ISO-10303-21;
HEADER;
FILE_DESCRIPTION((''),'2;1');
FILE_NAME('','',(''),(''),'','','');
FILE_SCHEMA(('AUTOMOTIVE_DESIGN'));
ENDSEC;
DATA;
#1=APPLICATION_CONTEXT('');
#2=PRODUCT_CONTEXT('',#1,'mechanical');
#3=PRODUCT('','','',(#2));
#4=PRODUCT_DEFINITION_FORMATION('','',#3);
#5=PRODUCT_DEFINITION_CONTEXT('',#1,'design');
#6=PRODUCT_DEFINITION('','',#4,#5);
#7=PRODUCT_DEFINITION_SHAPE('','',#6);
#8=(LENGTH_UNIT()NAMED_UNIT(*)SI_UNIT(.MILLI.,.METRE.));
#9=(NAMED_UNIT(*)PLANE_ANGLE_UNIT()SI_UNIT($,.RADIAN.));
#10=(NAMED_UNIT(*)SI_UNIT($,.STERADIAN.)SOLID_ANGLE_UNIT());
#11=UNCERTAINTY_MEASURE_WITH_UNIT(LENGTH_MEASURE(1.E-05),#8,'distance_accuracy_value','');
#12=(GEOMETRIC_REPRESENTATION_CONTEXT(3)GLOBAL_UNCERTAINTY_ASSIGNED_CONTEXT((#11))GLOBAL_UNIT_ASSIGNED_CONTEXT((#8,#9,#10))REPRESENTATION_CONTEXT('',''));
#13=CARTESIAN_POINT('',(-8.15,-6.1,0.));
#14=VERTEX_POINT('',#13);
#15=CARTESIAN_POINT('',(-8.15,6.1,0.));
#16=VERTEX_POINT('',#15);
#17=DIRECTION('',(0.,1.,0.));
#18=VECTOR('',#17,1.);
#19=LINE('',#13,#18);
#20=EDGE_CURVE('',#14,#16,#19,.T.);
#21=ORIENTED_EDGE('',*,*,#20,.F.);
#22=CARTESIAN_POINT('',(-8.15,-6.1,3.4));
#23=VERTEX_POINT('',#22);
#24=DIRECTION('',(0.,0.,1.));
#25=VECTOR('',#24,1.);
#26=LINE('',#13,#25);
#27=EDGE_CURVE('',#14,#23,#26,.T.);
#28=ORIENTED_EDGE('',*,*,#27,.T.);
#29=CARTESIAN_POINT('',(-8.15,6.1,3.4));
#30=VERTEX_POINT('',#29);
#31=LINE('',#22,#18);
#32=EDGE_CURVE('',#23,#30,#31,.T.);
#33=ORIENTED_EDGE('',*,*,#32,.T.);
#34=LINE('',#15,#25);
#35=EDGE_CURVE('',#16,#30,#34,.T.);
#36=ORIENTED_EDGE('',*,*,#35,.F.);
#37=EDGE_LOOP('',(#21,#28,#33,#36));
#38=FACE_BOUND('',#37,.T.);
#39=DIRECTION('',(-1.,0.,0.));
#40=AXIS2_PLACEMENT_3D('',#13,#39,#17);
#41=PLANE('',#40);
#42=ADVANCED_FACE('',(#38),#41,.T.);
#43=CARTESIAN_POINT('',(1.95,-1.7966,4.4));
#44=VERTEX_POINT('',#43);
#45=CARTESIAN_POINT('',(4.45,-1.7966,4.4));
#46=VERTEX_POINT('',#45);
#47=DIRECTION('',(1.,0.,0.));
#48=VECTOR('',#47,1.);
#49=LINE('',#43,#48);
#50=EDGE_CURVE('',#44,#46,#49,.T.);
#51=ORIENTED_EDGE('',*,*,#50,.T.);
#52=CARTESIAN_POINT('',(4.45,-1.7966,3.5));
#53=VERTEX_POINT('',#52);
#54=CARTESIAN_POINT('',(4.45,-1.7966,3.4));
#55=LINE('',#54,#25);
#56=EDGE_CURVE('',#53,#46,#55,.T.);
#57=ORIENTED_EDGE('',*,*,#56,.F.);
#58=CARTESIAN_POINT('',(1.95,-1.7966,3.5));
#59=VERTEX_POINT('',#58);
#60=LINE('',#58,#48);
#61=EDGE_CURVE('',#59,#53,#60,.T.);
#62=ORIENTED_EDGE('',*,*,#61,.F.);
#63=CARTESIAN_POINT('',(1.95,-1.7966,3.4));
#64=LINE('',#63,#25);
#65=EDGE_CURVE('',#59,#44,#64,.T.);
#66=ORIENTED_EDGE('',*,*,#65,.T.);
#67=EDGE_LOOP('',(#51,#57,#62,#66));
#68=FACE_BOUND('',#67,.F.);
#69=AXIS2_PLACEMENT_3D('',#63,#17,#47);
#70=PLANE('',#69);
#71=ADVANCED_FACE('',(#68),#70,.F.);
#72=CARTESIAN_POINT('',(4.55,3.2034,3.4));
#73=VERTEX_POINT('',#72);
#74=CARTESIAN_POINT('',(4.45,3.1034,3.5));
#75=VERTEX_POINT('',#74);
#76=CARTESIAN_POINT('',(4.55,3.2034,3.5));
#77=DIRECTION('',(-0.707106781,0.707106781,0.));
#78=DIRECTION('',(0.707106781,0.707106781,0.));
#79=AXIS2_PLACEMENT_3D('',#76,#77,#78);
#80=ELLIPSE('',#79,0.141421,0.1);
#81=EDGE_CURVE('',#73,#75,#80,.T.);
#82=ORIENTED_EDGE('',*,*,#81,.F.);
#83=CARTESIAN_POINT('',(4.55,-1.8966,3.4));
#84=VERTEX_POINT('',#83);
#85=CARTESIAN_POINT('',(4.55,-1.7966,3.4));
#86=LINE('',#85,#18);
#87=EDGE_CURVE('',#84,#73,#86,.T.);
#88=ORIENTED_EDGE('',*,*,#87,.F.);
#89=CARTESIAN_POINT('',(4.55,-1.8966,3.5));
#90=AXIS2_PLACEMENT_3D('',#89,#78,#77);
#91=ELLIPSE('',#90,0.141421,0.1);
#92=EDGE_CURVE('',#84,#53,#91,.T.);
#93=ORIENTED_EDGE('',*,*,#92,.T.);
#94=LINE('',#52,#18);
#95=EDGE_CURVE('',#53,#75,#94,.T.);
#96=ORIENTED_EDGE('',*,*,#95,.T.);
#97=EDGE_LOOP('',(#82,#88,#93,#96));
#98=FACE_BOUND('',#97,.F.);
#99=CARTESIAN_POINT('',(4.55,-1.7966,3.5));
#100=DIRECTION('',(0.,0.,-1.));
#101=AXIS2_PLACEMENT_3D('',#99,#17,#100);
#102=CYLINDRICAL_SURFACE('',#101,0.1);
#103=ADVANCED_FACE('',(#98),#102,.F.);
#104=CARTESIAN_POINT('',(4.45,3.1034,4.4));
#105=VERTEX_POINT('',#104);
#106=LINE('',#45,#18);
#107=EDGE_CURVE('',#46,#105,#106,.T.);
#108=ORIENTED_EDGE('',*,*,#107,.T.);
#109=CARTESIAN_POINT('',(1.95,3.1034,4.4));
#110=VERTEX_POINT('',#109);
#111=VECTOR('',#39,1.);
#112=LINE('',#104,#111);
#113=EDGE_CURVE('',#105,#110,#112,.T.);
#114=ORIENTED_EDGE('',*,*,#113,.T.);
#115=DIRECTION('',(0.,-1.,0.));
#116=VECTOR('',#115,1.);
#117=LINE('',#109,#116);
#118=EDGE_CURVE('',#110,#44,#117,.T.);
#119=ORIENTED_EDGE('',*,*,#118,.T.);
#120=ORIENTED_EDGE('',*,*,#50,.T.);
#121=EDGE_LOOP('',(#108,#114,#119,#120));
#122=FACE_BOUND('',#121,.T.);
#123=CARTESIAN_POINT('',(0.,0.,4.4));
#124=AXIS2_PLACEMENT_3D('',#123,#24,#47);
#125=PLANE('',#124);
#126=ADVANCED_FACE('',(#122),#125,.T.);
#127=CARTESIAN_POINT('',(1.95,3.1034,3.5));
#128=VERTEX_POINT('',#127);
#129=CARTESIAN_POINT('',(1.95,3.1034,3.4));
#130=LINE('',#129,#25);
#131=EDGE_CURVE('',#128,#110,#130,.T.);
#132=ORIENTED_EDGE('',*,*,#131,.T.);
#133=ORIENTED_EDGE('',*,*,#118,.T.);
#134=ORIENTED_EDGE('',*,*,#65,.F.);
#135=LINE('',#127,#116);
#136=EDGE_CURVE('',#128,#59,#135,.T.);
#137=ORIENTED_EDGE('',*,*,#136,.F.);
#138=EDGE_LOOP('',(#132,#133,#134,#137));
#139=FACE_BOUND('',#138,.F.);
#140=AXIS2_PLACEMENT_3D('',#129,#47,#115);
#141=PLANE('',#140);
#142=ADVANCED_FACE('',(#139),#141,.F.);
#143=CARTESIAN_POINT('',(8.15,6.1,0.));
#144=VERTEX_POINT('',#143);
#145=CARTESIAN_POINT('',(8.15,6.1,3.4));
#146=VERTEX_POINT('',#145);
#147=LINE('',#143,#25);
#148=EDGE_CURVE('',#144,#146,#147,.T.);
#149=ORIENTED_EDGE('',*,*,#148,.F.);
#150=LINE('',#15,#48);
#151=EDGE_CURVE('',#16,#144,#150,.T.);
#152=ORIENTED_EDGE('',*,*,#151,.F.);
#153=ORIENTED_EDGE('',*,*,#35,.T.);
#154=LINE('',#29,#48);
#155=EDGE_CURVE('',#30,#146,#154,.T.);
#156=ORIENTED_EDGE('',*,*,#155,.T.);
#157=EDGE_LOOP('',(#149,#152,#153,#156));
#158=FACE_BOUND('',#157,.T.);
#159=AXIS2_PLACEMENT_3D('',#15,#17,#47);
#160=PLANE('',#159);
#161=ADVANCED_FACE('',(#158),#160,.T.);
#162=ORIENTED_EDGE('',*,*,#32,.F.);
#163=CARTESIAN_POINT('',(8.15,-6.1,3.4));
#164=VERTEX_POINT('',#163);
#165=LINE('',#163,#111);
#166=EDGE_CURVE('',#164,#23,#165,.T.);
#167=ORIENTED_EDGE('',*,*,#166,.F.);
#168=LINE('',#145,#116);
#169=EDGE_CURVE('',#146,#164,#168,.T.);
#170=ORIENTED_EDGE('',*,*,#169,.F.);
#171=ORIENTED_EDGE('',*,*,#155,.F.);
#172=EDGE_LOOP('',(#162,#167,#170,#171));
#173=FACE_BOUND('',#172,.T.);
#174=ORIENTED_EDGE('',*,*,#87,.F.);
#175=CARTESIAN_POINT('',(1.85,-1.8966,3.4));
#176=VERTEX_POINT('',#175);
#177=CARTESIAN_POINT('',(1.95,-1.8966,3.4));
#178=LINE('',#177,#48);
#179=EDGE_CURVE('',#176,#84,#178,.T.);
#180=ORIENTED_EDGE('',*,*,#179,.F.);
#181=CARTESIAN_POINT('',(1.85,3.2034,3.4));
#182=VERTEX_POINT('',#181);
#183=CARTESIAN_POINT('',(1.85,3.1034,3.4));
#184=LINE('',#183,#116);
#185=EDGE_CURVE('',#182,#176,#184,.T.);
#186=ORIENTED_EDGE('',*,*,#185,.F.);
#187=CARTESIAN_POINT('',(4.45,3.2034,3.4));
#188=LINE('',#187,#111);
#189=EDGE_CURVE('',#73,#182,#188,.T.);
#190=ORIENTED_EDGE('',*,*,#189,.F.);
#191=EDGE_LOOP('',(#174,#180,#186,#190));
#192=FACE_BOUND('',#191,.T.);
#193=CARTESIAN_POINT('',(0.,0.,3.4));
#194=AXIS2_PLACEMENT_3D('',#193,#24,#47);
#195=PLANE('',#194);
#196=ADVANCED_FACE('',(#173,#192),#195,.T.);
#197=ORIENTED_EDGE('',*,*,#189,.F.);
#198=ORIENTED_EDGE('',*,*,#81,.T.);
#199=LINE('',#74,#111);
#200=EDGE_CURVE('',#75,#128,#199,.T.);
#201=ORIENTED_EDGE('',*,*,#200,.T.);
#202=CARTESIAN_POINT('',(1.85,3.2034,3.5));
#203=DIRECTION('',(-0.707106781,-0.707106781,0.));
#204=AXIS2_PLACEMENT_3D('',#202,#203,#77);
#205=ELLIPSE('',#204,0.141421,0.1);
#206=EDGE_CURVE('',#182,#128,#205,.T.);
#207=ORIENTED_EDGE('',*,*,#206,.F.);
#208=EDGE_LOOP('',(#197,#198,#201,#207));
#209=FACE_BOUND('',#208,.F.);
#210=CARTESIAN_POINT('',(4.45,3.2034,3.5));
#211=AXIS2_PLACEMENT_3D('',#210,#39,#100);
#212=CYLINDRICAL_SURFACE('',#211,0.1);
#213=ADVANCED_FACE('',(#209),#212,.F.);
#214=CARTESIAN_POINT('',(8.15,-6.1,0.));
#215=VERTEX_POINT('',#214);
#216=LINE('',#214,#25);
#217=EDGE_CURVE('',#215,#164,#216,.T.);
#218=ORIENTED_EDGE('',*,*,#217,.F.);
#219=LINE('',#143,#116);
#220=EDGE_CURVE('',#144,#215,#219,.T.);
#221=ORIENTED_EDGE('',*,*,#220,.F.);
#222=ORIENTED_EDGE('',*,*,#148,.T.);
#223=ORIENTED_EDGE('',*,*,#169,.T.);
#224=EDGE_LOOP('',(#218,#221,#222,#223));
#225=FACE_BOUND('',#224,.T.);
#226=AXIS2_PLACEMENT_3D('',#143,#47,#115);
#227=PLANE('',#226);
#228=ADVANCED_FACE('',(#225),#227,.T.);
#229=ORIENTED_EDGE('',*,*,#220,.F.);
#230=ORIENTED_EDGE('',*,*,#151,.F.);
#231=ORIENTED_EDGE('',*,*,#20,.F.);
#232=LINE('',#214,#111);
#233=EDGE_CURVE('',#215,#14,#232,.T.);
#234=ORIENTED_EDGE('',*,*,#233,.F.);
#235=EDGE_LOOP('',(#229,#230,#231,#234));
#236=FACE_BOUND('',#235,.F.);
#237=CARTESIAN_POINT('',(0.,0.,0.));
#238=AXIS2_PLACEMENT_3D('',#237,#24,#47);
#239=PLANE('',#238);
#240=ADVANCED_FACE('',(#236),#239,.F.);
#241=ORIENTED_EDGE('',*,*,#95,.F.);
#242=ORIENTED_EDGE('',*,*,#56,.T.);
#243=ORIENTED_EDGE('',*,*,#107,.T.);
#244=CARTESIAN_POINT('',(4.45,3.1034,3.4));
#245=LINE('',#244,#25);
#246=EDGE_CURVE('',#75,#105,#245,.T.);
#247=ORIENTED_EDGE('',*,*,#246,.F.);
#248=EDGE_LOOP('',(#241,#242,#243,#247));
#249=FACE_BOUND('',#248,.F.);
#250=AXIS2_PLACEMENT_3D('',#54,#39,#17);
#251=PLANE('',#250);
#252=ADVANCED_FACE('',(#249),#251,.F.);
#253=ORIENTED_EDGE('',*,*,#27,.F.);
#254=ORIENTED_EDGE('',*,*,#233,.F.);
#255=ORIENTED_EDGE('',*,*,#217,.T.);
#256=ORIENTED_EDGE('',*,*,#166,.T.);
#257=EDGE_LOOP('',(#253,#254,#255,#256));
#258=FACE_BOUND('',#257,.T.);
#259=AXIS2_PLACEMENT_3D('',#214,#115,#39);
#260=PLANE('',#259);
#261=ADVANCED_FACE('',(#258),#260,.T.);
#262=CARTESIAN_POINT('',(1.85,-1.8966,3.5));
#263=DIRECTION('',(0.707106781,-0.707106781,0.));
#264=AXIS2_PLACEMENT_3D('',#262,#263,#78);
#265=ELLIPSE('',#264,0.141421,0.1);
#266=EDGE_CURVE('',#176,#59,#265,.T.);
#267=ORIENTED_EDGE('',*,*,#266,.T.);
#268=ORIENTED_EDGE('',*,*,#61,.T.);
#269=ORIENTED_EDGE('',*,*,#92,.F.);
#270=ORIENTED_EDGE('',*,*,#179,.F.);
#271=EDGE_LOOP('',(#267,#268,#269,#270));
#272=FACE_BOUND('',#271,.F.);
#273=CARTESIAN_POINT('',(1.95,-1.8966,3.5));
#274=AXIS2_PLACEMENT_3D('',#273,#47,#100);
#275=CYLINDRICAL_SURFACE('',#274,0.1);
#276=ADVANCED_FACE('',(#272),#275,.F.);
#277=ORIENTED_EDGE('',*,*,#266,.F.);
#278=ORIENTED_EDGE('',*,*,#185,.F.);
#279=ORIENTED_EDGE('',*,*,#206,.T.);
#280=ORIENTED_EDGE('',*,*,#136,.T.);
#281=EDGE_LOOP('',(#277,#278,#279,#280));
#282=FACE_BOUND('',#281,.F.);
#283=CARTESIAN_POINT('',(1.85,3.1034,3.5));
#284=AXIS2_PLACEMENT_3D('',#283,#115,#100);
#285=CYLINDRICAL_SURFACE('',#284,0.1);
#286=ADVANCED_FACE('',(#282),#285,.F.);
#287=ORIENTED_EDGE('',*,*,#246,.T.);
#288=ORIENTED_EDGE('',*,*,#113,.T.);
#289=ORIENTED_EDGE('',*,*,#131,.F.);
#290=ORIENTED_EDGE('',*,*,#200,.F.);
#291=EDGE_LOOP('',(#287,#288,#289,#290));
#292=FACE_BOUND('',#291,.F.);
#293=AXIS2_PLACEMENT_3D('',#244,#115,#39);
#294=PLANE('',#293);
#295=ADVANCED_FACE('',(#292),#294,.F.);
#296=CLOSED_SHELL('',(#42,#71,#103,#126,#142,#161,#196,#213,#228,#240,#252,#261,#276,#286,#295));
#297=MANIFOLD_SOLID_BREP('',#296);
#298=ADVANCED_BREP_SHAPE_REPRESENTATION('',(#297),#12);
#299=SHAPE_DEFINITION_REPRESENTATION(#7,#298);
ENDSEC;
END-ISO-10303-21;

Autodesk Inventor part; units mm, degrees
ref_plane "YZ Plane" through (0, 0, 0) normal (1, 0, 0) x (0, 1, 0)
ref_plane "XZ Plane" through (0, 0, 0) normal (0, 1, 0) x (-1, 0, 0)
ref_plane "XY Plane" through (0, 0, 0) normal (0, 0, 1) x (1, 0, 0)
sketch "草图1" plane through (0, 0, 0) normal (0, 0, 1) x (1, 0, 0)
  line L0 (8.15, -6.1) -> (-8.15, -6.1)
  line L1 (-8.15, -6.1) -> (-8.15, 6.1)
  line L2 (-8.15, 6.1) -> (8.15, 6.1)
  line L3 (8.15, 6.1) -> (8.15, -6.1)
  line L4 (8.15, -6.1) -> (-8.15, 6.1) construction
  line L5 (-8.15, -6.1) -> (8.15, 6.1) construction
  point P0 (0, 0)
  dimension "d0" = 16.3
  dimension "d1" = 12.2
extrude "拉伸1" add sketch "草图1" along normal blind 3.4
sketch "草图2" plane through (0, 0, 3.4) normal (0, 0, 1) x (1, 0, 0)
  line L0 (4.45, 0) -> (4.45, 4.1654) construction
  line L1 (8.15, 6.1) -> (8.15, -6.1) construction
  line L2 (4.45, 3.1034) -> (1.95, 3.1034)
  line L3 (1.95, 3.1034) -> (1.95, -1.7966)
  line L4 (1.95, -1.7966) -> (4.45, -1.7966)
  line L5 (4.45, -1.7966) -> (4.45, 3.1034)
  point P0 (0, 0)
  dimension "d4" = 3.7
  dimension "d5" = 4.9
  dimension "d6" = 2.5
extrude "拉伸2" add sketch "草图2" along normal blind 1
fillet "圆角1" radius 0.1 4 edges at (4.45, 0.6534, 3.4) (3.2, 3.1034, 3.4) (3.2, -1.7966, 3.4) (1.95, 0.6534, 3.4)
properties part number "激光传感器模型" material "氮化硅"
